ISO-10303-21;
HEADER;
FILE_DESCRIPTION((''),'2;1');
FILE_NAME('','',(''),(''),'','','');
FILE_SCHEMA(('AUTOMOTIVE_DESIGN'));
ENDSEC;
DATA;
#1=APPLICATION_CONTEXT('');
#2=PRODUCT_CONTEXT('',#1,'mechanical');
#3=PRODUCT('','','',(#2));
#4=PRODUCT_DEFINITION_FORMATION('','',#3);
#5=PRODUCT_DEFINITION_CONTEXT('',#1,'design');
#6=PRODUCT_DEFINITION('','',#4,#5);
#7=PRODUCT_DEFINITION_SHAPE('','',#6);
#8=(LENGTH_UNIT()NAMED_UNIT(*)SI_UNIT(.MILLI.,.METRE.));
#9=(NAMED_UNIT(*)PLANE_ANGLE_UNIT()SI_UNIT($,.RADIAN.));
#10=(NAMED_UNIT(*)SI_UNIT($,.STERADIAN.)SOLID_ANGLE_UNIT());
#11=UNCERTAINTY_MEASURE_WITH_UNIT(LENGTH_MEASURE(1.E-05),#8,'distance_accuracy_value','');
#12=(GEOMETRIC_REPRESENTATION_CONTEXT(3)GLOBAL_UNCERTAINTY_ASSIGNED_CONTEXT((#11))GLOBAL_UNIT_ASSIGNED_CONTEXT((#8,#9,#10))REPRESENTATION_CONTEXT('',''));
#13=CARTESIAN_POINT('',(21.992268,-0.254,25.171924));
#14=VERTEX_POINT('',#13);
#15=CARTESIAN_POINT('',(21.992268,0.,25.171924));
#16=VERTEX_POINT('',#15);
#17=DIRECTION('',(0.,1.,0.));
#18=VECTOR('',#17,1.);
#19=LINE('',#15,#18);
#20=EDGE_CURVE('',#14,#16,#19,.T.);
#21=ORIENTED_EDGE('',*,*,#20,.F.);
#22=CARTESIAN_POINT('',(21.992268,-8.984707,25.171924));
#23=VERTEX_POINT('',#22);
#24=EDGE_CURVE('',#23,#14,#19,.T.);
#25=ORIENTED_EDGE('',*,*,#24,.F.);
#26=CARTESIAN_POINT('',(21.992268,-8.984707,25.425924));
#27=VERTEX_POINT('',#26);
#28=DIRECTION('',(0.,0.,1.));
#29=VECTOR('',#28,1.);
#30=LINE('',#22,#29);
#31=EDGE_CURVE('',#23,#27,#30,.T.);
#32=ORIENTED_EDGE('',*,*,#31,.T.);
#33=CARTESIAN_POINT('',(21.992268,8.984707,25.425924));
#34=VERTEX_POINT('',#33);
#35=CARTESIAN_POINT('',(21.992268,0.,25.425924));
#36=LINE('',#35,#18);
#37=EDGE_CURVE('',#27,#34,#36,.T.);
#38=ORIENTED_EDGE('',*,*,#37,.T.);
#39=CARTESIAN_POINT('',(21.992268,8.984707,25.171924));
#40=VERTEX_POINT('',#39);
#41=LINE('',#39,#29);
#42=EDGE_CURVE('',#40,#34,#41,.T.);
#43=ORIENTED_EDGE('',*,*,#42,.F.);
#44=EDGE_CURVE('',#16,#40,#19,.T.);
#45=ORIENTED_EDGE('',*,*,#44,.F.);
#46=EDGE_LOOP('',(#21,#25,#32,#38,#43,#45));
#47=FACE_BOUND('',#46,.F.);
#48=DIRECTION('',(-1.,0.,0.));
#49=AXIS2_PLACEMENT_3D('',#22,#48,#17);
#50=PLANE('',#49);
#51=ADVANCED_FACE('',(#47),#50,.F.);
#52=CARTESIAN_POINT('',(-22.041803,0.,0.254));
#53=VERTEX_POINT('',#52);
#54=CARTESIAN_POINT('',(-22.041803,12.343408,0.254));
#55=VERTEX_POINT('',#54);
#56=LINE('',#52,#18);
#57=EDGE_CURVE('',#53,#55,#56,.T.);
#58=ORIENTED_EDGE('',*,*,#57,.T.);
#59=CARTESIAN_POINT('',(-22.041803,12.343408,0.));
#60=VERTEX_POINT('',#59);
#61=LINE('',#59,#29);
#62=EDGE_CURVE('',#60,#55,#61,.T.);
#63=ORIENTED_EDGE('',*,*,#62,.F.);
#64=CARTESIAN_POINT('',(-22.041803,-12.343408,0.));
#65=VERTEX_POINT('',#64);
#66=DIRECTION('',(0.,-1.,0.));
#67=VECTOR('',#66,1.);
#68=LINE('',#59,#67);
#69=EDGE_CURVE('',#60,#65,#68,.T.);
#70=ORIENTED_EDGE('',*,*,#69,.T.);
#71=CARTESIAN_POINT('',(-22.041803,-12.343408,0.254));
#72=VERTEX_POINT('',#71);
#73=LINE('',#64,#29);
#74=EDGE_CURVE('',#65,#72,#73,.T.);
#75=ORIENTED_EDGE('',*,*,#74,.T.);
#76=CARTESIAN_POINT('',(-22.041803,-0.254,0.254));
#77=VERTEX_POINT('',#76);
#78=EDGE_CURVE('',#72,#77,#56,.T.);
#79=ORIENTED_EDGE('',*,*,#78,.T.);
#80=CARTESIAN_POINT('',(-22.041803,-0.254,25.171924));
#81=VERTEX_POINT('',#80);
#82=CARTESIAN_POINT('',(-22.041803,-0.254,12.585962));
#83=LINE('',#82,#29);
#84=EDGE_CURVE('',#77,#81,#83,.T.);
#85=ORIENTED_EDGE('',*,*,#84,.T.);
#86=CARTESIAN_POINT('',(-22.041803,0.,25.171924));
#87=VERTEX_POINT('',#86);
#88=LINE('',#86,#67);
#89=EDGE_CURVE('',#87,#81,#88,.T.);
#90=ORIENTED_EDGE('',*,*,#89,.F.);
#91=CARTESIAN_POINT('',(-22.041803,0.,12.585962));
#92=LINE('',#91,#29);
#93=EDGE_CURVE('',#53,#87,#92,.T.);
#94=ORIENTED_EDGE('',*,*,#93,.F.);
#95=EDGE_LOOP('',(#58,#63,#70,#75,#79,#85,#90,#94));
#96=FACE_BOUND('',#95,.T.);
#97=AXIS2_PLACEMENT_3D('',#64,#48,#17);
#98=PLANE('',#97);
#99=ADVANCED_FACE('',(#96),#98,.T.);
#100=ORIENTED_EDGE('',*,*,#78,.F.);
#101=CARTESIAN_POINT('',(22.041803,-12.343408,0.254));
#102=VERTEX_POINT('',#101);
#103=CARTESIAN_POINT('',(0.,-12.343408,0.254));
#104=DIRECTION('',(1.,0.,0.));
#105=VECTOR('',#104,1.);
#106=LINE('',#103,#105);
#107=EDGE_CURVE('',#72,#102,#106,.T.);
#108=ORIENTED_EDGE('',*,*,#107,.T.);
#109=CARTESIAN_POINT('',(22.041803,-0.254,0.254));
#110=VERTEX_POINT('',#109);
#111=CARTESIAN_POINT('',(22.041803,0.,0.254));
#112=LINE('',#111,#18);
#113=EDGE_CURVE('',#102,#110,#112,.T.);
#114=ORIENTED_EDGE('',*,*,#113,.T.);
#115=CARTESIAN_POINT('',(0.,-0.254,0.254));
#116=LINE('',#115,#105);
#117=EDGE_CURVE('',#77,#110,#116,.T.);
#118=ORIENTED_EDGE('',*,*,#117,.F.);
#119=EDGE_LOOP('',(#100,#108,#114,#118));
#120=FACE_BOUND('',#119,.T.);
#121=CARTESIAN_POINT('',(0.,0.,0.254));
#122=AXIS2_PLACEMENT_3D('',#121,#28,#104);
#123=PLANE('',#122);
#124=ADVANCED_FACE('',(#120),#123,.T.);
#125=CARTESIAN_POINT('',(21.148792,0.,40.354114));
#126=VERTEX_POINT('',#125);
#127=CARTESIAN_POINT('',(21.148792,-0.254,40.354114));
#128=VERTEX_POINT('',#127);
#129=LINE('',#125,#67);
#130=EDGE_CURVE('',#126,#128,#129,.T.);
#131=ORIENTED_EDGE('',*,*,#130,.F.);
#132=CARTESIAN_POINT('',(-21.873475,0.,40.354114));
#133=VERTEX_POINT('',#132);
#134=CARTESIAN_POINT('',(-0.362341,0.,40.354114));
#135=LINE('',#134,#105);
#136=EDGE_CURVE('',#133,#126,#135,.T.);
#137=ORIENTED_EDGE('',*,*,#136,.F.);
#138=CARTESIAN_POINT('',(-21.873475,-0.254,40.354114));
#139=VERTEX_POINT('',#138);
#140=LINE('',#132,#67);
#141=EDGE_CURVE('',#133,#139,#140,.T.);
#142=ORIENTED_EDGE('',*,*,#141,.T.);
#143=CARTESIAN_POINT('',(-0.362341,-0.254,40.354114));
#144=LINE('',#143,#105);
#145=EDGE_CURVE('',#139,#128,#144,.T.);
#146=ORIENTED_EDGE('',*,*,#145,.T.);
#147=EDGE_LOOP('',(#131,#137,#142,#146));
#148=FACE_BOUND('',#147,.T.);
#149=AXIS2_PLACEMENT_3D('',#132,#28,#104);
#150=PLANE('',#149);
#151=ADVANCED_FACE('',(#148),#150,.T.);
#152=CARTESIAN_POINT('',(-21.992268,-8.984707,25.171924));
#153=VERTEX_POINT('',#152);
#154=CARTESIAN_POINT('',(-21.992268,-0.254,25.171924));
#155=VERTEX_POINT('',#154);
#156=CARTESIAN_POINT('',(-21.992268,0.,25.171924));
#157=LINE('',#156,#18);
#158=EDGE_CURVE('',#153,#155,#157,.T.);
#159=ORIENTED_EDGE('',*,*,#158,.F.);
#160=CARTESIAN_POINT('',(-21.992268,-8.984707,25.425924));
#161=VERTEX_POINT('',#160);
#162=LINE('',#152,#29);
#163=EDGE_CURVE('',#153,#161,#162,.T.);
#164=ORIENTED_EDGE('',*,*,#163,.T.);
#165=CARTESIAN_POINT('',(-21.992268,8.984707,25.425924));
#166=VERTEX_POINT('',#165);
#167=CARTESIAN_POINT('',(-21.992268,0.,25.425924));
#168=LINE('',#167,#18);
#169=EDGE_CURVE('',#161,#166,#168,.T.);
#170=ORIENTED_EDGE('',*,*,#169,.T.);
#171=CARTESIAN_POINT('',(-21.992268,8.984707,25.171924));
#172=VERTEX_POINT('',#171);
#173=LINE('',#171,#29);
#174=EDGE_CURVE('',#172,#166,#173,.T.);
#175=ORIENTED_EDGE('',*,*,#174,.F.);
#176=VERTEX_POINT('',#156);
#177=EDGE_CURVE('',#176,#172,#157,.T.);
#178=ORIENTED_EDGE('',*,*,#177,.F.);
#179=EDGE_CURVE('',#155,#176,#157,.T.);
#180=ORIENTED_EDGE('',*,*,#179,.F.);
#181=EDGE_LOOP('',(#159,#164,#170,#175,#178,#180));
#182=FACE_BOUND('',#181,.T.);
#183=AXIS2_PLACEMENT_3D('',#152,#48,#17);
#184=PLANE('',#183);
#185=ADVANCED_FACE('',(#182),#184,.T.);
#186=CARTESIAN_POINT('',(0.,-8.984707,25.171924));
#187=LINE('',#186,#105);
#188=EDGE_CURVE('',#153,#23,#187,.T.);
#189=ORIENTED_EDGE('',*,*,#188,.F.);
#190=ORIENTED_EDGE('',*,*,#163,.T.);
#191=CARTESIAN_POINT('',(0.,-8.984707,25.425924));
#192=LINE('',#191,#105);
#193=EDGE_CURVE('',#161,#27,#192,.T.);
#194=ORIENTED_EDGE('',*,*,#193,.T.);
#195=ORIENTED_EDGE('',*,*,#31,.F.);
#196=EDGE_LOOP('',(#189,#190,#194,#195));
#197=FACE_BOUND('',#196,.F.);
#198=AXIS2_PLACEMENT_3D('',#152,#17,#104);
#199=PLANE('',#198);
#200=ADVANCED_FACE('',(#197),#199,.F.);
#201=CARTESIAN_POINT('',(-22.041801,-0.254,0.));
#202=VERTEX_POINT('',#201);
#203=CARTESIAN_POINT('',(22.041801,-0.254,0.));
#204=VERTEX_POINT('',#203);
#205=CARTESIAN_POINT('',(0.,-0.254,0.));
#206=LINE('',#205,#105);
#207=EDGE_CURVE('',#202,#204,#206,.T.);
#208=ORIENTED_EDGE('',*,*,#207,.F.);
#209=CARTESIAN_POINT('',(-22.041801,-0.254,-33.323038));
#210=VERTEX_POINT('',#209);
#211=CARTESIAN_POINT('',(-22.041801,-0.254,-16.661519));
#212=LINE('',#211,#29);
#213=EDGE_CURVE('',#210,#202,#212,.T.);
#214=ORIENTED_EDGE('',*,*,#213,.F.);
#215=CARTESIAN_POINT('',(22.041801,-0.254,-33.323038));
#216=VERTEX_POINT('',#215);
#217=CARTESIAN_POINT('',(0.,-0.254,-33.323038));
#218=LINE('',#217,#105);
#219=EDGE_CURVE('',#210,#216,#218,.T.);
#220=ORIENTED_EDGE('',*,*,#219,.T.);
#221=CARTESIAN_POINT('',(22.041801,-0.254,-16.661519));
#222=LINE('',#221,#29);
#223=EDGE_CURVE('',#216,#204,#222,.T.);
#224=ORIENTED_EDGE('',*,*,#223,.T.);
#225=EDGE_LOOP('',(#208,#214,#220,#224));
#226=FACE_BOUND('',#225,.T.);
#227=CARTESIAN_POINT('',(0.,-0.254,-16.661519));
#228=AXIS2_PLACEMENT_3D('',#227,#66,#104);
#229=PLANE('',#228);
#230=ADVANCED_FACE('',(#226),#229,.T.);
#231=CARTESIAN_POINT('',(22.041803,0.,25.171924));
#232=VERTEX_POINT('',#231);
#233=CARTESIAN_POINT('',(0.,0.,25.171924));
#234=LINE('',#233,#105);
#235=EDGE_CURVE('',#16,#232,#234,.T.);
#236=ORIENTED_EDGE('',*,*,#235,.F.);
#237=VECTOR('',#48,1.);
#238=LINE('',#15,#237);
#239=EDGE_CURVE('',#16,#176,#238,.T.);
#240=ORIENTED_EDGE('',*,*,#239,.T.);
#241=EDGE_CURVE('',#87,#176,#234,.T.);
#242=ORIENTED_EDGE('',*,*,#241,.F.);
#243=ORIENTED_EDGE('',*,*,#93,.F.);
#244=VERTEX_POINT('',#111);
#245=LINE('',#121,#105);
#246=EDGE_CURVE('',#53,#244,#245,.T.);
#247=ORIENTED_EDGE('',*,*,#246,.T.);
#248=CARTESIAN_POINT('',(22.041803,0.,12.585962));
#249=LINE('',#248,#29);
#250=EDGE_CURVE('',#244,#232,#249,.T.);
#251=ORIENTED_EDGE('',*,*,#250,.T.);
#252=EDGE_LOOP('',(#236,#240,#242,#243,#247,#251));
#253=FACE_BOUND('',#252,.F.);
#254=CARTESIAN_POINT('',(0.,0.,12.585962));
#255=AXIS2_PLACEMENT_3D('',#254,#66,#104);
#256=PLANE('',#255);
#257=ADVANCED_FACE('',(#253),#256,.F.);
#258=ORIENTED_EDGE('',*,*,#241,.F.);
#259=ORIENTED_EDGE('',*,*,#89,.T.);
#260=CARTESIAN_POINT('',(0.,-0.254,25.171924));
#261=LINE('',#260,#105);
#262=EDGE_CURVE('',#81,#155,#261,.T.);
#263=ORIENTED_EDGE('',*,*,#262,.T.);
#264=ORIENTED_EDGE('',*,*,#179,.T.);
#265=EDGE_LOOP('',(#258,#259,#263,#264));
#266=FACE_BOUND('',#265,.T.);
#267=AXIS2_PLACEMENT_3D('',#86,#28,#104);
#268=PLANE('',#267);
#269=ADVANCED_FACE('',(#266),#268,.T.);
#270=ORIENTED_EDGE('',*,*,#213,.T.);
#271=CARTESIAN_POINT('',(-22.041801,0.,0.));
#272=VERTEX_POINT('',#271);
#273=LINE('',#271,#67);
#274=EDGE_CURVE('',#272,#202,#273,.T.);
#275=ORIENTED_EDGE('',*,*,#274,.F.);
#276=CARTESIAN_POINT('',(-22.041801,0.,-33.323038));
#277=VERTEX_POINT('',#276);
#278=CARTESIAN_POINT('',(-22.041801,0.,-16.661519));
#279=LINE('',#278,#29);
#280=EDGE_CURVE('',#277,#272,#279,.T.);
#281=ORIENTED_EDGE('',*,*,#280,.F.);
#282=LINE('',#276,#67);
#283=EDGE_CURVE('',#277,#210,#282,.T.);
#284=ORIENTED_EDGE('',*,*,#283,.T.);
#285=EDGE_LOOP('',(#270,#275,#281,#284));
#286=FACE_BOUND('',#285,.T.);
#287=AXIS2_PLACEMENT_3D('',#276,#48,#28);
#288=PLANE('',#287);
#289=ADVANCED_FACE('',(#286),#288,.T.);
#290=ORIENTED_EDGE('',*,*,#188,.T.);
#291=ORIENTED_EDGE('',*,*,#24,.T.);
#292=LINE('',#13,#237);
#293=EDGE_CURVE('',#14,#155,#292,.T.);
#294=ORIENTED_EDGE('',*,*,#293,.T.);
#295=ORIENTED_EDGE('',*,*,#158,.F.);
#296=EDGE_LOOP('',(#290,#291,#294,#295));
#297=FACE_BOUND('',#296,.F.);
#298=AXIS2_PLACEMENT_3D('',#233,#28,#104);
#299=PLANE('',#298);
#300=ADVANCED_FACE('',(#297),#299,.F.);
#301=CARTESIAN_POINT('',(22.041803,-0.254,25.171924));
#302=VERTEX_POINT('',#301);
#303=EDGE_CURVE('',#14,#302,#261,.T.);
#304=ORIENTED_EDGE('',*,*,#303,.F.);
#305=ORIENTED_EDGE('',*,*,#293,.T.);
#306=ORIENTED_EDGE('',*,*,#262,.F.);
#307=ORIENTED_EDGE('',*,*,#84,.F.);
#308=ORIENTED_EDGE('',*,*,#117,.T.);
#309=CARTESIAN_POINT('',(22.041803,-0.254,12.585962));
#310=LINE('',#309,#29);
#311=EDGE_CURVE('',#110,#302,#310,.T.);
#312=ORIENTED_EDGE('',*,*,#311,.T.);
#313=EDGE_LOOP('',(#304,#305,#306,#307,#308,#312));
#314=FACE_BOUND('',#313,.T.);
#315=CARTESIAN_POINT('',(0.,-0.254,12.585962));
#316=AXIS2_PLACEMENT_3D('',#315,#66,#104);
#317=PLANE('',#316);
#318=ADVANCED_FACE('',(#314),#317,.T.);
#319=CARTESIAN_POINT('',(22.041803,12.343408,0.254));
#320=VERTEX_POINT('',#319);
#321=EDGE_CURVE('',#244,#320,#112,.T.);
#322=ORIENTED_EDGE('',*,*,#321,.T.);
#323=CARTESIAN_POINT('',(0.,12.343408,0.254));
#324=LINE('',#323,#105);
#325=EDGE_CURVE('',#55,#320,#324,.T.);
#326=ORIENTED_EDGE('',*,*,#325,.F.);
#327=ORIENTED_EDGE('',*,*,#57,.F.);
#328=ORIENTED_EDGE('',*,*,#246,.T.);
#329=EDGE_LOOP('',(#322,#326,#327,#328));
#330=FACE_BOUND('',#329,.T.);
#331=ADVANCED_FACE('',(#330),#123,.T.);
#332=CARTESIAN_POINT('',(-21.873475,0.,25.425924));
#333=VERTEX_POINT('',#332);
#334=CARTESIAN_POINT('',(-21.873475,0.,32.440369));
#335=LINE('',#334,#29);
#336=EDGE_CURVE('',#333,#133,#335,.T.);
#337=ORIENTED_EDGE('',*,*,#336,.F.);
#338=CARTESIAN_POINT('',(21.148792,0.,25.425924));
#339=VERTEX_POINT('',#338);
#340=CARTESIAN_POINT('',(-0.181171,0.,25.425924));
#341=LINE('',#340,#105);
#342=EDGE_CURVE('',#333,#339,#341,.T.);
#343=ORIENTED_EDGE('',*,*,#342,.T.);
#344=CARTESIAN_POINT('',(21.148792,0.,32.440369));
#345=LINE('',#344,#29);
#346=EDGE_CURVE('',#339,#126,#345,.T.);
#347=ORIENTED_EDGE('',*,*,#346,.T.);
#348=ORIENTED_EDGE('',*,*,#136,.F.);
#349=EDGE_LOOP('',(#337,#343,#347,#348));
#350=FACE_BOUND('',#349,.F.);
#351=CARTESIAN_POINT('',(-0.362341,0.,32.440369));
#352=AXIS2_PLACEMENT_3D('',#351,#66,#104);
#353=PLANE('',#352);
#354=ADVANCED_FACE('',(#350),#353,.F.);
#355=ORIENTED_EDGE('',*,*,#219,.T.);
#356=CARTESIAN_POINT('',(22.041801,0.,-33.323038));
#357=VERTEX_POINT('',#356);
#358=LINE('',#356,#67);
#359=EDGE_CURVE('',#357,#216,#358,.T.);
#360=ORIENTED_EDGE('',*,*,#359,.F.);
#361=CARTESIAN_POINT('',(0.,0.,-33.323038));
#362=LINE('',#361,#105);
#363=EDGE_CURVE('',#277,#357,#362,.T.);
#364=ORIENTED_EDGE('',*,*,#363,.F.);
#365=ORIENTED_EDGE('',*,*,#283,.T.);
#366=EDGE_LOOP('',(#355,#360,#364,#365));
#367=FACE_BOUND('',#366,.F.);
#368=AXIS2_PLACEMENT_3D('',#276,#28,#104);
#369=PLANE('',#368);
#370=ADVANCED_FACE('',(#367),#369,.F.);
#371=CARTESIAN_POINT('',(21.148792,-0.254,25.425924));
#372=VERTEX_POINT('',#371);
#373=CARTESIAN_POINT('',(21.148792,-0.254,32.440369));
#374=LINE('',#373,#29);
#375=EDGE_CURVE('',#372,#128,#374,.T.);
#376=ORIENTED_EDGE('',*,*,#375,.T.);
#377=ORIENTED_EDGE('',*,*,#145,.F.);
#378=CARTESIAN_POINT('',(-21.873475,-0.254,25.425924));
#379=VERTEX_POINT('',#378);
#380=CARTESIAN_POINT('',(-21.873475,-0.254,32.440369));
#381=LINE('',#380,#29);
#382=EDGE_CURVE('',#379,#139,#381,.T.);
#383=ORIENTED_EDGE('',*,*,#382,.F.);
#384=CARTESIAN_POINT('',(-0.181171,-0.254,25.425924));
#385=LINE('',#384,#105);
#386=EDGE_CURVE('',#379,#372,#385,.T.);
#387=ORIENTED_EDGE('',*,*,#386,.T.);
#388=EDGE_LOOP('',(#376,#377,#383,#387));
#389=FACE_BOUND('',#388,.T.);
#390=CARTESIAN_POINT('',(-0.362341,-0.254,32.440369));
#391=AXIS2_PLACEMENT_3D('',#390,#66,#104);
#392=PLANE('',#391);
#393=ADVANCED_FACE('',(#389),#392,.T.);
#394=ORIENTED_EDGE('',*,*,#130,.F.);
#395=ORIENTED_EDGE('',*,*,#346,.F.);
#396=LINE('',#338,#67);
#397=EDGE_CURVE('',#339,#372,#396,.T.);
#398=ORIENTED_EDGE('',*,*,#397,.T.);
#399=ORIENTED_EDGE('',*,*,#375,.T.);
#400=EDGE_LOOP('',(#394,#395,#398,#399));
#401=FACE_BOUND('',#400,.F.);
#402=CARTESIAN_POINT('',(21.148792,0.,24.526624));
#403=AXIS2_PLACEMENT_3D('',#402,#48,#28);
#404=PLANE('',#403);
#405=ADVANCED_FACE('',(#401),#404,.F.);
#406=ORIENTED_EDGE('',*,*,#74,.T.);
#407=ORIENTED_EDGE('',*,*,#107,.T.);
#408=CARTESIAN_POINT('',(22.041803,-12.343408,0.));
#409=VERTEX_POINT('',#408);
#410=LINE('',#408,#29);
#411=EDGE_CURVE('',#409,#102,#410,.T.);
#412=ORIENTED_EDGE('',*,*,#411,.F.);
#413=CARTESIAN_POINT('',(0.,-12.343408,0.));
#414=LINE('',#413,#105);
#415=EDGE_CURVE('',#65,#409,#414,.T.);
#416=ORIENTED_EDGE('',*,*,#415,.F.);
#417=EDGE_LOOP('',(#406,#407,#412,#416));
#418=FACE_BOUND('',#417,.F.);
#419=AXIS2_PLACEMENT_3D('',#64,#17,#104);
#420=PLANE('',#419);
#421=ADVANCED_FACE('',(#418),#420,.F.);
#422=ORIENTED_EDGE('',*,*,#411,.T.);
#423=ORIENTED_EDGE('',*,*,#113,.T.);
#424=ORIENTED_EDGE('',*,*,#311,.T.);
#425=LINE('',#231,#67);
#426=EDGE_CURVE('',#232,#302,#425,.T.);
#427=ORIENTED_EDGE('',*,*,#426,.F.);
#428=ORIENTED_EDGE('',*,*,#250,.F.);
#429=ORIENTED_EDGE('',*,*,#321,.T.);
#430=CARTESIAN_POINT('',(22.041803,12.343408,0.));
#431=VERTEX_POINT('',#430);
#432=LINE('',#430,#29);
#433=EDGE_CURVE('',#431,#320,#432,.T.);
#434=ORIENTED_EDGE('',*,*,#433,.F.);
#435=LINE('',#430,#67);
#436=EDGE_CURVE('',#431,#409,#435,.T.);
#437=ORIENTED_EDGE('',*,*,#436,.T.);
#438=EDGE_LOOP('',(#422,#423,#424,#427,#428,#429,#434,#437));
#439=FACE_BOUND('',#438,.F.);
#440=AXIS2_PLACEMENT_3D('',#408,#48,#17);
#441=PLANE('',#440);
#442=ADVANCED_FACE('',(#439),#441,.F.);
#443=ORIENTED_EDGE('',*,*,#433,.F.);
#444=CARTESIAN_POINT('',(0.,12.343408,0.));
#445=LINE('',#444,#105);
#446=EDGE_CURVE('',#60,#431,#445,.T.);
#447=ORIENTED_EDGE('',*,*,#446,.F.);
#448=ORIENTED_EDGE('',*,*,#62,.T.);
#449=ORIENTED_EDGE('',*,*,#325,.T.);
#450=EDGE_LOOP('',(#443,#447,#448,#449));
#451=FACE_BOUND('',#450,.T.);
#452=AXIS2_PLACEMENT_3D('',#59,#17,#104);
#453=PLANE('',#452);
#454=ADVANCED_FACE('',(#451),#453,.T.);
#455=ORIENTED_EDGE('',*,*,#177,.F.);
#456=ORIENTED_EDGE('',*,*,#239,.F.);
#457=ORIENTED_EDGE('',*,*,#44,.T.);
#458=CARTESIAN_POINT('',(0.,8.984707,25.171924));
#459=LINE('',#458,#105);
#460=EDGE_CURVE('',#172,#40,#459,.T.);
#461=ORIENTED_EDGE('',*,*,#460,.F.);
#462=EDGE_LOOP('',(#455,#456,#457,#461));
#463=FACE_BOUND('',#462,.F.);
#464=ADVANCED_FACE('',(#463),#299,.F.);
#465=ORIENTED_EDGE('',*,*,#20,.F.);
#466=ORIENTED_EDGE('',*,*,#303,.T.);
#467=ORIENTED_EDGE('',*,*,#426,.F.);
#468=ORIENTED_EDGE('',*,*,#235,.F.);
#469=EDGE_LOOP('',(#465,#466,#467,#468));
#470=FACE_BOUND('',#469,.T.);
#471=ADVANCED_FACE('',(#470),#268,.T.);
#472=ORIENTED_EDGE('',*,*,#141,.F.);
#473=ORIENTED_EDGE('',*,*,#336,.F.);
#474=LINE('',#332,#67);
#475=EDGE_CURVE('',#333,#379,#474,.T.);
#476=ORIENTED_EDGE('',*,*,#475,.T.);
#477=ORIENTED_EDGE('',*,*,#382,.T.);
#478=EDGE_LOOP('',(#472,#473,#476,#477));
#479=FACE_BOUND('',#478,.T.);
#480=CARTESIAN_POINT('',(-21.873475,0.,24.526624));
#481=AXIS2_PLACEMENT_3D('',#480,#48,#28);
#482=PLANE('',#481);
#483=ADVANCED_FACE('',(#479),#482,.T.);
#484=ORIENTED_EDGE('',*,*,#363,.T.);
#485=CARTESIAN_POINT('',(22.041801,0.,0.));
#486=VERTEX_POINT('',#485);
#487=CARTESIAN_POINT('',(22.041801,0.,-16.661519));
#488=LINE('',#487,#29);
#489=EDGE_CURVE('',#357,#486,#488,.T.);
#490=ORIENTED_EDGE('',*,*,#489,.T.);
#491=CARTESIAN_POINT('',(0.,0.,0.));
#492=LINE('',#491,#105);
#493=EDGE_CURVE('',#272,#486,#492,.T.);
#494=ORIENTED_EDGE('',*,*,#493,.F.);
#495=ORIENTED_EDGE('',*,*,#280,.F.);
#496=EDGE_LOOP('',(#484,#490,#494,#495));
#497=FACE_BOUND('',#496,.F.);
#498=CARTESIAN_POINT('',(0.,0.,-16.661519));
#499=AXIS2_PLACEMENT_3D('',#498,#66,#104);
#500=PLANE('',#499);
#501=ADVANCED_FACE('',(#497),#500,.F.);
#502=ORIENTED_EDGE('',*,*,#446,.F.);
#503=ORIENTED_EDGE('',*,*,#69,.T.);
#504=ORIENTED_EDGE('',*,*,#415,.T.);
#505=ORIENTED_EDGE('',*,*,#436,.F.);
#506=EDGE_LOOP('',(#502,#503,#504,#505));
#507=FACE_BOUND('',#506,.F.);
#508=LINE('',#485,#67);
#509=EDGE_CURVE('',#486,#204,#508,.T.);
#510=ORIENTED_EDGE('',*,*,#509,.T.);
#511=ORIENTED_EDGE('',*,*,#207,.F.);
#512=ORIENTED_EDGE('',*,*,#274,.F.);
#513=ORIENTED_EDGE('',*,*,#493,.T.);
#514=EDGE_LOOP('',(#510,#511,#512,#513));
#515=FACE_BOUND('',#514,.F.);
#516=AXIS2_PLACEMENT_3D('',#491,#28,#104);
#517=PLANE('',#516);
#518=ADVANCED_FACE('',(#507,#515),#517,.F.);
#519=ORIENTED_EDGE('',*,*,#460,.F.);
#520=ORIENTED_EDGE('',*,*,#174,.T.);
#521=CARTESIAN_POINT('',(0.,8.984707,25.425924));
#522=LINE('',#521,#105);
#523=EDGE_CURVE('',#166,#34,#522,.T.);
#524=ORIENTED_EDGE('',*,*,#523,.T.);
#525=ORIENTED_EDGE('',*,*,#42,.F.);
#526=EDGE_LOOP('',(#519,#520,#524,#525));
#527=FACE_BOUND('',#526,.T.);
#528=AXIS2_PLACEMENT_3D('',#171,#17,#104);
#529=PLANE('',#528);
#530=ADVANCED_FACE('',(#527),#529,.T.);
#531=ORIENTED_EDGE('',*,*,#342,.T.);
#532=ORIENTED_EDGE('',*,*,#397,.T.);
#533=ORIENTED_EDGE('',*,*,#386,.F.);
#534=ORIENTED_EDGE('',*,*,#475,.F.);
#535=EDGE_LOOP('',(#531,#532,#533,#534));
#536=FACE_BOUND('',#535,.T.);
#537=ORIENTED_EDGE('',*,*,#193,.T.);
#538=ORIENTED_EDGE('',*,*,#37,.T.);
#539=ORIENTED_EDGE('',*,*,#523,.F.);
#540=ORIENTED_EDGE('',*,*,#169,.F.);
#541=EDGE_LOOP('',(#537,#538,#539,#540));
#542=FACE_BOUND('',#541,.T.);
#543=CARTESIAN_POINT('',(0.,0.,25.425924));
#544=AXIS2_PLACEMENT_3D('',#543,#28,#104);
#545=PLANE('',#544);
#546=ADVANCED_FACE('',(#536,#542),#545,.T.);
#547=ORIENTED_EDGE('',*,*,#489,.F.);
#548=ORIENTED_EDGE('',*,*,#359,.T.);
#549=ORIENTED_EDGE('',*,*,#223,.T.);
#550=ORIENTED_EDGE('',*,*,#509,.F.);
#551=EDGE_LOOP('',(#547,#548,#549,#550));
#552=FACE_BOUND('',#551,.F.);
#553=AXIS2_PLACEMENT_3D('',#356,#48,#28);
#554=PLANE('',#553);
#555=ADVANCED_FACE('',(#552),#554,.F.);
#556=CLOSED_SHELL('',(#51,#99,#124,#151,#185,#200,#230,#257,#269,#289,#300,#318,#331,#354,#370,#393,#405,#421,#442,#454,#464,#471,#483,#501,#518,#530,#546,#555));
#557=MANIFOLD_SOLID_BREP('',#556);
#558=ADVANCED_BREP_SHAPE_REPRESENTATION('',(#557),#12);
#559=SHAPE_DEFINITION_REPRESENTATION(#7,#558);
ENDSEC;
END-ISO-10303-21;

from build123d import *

# Parameters (mm, degrees)
F0_W     = 44.083602
F0_H     = 33.323038
F1_DEPTH = 0.254
F2_W     = 44.083606
F2_H     = 24.686816
F3_DEPTH = 0.254
F4_W     = 44.083606
F4_H     = 25.171924
F5_DEPTH = 0.254
F6_W     = 43.984536
F6_H     = 17.969414
F7_DEPTH = 0.254
F8_W     = 43.022267
F8_H     = 15.82749
F9_DEPTH = 0.254


with BuildPart() as f1:
    # F0 (on Front) → F1 (new body)
    with BuildSketch(Plane.XZ):
        with Locations((0, -16.661519)):
            Rectangle(F0_W, F0_H)
    extrude(amount=F1_DEPTH)

    # F2 (on face) → F3 (join)
    with BuildSketch(Plane.XY):
        Rectangle(F2_W, F2_H)
    extrude(amount=F3_DEPTH)

    # F4 (on Front) → F5 (join)
    with BuildSketch(Plane.XZ):
        with Locations((0, 12.585962)):
            Rectangle(F4_W, F4_H)
    extrude(amount=F5_DEPTH)

    # F6 (on face) → F7 (join)
    with BuildSketch(Plane.XY.offset(25.171924)):
        Rectangle(F6_W, F6_H)
    extrude(amount=F7_DEPTH)

    # F8 (on Front) → F9 (join)
    with BuildSketch(Plane.XZ):
        with Locations((-0.362341, 32.440369)):
            Rectangle(F8_W, F8_H)
    extrude(amount=F9_DEPTH)


solid = f1.part
